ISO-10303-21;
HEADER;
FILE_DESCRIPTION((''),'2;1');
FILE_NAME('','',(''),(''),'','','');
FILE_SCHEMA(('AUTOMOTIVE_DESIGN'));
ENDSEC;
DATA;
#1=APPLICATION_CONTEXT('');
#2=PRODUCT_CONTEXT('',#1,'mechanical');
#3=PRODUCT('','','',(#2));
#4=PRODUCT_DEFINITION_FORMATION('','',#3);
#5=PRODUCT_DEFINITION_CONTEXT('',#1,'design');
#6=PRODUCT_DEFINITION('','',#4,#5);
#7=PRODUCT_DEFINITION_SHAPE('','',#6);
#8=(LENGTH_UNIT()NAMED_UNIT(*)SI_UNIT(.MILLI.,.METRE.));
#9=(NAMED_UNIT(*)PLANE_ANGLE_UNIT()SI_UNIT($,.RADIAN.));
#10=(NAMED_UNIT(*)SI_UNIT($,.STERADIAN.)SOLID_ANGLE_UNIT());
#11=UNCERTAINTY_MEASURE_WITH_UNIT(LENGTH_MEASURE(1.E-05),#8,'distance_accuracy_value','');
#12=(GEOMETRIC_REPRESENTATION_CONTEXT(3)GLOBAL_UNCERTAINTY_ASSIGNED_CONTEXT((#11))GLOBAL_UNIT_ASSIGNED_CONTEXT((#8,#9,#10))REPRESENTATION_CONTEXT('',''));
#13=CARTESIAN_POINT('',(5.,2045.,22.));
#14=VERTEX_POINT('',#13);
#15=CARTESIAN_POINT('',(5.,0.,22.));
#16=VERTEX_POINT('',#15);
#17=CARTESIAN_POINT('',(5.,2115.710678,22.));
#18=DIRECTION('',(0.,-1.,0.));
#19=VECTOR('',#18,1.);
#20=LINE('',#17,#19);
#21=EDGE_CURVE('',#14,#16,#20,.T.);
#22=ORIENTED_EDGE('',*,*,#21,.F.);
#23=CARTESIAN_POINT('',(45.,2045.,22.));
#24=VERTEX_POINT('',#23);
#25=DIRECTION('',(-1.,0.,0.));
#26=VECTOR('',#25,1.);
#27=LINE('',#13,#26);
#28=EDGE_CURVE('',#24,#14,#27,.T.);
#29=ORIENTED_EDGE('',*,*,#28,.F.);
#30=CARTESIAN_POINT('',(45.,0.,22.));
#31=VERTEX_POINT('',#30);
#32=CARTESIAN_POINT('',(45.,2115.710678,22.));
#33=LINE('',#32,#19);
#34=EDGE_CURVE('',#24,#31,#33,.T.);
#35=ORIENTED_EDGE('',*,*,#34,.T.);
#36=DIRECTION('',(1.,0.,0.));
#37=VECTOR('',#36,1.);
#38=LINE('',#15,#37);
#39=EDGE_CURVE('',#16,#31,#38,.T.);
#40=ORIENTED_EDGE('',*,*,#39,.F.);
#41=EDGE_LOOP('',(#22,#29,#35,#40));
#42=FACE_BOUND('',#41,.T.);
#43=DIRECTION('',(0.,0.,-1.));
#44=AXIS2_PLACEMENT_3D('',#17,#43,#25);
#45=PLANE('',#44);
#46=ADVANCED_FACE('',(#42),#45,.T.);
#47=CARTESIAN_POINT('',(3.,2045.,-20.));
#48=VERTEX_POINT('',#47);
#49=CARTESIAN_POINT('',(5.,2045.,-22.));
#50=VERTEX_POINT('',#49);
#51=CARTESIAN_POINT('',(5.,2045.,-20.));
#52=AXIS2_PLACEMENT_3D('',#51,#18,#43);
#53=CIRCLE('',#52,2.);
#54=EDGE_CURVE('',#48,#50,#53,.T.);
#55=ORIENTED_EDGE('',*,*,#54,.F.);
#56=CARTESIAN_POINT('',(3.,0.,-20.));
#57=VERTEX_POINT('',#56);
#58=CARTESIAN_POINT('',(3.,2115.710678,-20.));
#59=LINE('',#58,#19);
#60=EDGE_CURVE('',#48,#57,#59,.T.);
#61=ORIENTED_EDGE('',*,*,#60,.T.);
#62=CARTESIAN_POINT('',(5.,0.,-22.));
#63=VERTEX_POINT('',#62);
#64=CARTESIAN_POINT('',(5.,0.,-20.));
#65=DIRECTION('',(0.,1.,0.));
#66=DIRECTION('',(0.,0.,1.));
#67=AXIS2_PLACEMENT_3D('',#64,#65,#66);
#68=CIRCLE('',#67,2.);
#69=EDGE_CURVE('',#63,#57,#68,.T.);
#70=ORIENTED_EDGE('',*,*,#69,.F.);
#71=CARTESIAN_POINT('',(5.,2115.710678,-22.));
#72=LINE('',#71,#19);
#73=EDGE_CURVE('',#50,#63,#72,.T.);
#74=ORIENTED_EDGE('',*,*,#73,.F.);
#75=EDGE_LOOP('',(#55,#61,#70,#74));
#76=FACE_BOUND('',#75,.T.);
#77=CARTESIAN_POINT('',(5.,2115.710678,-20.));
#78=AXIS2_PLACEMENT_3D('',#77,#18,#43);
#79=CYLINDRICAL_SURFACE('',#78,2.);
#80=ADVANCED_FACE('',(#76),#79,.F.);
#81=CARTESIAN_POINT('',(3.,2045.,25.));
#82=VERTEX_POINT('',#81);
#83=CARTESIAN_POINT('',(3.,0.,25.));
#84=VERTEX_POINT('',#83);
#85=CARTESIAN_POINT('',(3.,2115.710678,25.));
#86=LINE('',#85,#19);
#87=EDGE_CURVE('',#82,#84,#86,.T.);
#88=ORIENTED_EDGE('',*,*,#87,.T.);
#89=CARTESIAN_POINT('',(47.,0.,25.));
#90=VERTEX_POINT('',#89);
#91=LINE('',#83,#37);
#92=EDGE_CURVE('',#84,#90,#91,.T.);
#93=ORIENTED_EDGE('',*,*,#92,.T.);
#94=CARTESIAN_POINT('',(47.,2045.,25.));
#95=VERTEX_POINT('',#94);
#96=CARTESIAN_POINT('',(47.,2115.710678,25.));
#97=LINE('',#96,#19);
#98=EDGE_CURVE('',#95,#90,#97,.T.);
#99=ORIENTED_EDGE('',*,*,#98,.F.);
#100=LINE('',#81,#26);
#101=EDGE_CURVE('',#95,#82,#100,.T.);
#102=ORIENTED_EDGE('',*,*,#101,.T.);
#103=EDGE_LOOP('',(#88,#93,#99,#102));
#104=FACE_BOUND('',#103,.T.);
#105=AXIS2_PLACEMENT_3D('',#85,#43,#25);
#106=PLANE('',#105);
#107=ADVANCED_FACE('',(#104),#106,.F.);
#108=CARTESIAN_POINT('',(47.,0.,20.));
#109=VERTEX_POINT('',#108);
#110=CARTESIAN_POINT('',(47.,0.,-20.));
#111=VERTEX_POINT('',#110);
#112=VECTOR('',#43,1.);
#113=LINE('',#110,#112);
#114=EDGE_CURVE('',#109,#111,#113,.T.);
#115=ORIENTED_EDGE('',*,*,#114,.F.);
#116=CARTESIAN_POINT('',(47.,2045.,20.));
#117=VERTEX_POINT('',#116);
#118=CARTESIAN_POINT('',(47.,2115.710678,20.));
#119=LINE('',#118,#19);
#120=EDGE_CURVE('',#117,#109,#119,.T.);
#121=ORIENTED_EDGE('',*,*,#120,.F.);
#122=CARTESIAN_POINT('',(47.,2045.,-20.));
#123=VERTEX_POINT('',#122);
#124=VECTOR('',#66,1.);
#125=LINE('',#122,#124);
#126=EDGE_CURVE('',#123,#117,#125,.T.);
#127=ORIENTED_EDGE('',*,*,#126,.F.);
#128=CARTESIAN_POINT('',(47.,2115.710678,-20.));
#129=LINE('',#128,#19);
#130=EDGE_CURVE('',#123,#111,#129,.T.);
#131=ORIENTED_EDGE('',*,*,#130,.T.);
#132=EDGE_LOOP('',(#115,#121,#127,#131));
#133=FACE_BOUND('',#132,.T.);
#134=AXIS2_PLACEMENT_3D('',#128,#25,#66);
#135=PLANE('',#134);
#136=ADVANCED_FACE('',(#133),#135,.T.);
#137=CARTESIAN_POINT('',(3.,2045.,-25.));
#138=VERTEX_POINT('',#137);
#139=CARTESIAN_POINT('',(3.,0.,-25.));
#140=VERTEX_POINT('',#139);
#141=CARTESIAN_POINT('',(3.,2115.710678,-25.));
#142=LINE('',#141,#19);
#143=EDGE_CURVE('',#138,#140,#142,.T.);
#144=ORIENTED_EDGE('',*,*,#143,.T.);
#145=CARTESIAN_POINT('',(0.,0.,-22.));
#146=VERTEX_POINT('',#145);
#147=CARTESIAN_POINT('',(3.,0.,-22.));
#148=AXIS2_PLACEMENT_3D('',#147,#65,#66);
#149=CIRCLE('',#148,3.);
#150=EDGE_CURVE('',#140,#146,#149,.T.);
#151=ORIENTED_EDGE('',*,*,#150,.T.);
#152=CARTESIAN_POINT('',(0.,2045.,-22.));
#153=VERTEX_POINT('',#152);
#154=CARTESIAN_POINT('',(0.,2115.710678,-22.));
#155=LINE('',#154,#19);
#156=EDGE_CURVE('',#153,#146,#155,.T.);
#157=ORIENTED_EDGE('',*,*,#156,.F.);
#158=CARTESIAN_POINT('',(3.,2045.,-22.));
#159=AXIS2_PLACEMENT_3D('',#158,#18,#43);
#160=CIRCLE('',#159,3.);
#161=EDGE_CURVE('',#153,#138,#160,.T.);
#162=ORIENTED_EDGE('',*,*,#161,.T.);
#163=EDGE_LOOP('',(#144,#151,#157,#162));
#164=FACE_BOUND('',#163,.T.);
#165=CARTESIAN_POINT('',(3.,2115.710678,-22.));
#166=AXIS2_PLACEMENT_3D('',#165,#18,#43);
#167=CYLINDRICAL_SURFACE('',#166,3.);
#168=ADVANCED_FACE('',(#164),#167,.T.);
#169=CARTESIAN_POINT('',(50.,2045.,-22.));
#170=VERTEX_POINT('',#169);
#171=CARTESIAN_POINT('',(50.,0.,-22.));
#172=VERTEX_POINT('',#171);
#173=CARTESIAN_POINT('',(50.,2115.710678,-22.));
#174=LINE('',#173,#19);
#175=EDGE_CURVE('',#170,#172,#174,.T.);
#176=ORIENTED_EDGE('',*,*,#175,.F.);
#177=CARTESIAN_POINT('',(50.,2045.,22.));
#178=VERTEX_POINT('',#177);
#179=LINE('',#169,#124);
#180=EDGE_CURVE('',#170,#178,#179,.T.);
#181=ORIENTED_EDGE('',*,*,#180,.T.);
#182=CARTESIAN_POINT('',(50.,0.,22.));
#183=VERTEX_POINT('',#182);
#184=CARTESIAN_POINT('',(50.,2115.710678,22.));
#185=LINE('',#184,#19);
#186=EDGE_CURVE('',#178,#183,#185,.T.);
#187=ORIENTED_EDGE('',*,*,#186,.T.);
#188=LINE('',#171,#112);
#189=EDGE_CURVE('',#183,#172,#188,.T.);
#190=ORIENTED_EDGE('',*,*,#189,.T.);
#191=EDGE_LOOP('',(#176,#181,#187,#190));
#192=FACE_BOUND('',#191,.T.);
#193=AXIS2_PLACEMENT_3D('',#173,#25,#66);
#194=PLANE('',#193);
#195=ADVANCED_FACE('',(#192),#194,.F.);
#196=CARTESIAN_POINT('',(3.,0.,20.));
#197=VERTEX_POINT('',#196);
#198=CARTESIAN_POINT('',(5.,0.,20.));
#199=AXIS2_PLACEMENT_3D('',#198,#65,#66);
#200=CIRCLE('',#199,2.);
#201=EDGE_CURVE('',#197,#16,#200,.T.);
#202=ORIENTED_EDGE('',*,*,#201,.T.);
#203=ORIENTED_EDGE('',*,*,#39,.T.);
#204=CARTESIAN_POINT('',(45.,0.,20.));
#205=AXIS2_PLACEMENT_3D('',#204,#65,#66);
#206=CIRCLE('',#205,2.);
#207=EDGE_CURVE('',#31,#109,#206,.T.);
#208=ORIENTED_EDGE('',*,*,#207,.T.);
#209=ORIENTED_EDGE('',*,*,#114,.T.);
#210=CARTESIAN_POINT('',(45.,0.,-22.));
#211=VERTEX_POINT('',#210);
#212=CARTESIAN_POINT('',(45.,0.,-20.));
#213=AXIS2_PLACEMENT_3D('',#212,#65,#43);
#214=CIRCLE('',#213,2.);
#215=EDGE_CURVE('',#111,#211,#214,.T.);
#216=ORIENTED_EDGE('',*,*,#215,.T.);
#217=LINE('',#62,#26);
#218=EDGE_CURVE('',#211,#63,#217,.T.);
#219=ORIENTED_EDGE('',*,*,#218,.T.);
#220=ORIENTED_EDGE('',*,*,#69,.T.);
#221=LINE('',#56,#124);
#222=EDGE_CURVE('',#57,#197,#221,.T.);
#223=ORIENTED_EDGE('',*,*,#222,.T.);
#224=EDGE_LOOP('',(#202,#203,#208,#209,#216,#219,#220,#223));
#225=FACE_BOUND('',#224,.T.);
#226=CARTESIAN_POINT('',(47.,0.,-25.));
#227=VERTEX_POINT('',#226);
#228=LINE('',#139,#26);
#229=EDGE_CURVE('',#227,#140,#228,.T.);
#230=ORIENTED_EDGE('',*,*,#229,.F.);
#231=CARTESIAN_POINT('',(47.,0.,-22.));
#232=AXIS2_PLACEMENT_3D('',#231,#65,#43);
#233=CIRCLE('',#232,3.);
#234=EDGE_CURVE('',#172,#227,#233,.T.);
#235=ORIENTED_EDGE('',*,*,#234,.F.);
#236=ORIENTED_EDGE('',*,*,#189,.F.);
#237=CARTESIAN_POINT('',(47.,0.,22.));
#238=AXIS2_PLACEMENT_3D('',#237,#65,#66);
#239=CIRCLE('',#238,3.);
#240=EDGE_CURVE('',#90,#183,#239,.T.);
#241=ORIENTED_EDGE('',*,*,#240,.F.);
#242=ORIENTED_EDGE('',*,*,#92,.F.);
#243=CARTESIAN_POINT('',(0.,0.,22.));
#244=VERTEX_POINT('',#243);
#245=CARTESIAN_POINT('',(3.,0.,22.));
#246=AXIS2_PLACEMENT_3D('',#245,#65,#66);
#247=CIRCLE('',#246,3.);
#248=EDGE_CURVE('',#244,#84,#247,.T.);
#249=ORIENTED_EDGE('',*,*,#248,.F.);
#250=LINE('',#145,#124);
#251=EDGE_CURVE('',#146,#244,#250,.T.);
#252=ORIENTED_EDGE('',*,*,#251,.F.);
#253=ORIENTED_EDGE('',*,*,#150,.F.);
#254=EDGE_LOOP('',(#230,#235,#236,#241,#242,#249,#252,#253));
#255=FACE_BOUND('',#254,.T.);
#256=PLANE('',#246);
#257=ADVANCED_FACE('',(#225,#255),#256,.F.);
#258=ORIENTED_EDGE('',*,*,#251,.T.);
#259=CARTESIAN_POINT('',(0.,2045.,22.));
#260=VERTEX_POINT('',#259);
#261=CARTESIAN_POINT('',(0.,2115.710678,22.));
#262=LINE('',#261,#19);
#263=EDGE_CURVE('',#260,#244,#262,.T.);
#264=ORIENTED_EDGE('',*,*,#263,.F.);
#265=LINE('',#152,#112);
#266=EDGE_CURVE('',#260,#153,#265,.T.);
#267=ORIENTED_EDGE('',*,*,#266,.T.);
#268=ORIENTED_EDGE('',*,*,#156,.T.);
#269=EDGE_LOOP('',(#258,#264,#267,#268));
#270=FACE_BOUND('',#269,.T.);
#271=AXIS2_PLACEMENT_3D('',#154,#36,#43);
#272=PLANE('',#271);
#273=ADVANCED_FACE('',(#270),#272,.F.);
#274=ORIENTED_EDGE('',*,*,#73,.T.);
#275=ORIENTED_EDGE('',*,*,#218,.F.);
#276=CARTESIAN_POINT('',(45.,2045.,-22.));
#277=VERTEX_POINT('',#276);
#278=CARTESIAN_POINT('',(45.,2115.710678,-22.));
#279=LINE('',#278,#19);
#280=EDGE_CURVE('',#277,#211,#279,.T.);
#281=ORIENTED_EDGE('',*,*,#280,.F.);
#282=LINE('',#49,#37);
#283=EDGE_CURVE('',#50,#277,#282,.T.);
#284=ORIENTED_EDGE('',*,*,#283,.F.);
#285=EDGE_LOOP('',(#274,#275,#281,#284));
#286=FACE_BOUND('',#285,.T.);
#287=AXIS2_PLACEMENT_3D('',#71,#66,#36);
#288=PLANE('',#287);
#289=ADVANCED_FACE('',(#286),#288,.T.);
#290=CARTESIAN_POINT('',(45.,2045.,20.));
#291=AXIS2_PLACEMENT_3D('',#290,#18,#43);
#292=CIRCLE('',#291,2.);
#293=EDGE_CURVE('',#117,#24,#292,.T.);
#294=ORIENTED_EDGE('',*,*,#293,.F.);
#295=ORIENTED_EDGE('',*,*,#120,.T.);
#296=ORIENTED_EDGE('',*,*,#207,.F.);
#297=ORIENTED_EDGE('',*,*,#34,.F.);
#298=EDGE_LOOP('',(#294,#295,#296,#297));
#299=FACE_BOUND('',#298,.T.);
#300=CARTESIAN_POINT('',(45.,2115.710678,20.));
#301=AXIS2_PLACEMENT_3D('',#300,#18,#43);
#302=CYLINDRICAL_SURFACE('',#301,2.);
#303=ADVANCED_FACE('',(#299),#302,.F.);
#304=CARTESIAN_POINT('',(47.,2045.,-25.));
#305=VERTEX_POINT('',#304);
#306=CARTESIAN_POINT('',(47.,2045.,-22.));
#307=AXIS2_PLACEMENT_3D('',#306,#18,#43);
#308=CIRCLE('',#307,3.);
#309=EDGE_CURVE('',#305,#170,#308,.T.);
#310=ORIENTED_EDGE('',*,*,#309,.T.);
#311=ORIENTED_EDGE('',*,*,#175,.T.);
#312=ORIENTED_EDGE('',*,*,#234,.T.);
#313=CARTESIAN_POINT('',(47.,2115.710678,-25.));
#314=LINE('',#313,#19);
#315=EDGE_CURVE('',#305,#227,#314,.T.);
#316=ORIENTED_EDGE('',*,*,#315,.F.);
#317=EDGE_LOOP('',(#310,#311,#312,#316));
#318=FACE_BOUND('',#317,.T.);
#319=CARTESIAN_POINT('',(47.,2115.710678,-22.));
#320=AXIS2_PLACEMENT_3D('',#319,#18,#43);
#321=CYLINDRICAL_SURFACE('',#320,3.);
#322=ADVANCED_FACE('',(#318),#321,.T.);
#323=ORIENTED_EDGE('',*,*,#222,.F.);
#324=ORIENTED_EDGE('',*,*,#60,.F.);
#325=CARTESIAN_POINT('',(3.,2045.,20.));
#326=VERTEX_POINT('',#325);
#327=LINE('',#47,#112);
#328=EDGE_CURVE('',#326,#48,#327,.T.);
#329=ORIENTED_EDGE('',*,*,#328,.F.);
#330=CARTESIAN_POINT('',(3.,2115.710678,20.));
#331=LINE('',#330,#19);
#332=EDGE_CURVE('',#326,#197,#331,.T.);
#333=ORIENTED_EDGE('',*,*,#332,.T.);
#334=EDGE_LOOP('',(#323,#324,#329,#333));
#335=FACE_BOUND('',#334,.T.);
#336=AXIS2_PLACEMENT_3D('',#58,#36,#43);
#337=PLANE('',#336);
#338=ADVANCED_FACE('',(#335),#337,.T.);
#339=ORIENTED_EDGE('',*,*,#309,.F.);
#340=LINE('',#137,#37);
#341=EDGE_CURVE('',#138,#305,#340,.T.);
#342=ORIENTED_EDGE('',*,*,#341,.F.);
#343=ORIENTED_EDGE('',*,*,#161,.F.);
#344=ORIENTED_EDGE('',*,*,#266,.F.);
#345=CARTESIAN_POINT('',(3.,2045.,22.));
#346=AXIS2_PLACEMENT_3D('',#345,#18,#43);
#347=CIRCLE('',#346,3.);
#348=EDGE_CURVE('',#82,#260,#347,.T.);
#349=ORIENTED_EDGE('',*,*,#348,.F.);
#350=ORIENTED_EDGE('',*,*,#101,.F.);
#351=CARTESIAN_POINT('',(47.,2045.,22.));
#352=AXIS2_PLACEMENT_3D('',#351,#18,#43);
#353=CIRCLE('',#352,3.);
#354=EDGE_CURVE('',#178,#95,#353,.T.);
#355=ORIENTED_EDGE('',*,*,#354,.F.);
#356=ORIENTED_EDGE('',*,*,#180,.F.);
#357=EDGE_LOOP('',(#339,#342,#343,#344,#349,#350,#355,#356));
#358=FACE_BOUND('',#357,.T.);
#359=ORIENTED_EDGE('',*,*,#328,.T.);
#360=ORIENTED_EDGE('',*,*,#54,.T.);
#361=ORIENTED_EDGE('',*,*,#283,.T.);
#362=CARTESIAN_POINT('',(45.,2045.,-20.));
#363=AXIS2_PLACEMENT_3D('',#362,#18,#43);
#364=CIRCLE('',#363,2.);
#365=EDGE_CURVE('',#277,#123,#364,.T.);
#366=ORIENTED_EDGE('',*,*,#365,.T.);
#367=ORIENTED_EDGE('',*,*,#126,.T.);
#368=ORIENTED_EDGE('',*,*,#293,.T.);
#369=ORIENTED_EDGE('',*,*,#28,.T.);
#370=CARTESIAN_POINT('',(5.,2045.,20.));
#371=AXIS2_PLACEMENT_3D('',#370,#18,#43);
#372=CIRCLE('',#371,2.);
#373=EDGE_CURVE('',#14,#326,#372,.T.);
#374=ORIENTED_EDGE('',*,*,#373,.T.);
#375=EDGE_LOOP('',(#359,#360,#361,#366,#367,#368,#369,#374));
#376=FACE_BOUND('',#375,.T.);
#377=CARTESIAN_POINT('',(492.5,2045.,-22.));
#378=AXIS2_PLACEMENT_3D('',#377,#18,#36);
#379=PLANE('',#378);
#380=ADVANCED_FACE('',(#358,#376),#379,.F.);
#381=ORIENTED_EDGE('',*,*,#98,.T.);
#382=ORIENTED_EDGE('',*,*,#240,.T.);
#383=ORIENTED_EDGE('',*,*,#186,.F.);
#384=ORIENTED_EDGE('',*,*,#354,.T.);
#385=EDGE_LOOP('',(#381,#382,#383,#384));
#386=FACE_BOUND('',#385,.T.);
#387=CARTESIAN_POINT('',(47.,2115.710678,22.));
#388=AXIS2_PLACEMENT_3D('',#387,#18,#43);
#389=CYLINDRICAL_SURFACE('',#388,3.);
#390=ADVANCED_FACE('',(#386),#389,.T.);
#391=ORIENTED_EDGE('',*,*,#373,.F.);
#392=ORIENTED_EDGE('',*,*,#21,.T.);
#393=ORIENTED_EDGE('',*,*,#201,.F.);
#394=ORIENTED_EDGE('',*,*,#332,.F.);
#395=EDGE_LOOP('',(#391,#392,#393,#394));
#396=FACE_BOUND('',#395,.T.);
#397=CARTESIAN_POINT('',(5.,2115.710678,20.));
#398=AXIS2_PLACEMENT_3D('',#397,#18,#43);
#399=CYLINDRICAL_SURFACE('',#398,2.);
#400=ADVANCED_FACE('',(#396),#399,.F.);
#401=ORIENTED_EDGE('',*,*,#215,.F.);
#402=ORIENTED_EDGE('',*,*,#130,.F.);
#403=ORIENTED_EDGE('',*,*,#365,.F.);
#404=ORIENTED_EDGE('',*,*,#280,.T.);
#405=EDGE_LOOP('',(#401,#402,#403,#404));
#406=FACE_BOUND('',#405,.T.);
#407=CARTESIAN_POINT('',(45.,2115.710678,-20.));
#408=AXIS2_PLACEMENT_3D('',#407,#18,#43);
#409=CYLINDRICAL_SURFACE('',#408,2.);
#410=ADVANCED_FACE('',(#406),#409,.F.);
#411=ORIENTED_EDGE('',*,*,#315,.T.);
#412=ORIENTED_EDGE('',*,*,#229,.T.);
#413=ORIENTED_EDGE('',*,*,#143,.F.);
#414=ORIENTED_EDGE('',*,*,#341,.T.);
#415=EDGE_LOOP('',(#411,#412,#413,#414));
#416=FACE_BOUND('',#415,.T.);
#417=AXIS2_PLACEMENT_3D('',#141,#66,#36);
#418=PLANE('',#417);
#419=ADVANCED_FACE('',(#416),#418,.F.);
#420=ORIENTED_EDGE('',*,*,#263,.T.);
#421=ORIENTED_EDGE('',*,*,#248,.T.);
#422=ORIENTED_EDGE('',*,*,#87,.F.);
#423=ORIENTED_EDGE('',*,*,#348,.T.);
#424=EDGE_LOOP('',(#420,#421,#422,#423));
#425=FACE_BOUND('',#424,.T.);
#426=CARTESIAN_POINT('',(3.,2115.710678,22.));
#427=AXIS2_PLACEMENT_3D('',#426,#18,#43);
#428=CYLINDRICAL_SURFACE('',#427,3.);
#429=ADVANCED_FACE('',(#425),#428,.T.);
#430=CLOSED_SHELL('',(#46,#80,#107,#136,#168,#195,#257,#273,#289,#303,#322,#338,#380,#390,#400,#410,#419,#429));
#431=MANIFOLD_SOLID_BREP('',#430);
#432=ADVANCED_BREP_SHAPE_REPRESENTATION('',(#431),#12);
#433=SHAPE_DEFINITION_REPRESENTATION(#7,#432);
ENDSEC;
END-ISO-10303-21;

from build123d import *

# Parameters (mm, degrees)
EXTRUDE_1_DEPTH = 2045


with BuildPart() as part:
    # Эскиз1 → Бобышка-Вытянуть1 (new body)
    with BuildSketch(Plane(origin=(0, 0, 0), x_dir=(1, 0, 0), z_dir=(0, 1, 0))):
        with BuildLine():
            Line((3, 25), (47, 25))
            ThreePointArc((47, 25), (49.121320344, 24.121320344), (50, 22))
            Line((50, 22), (50, -22))
            ThreePointArc((50, -22), (49.121320344, -24.121320344), (47, -25))
            Line((47, -25), (3, -25))
            ThreePointArc((3, -25), (0.878679656, -24.121320344), (0, -22))
            Line((0, -22), (0, 22))
            ThreePointArc((0, 22), (0.878679656, 24.121320344), (3, 25))
        make_face()
        with BuildLine():
            Line((5, 22), (45, 22))
            ThreePointArc((45, 22), (46.414213562, 21.414213562), (47, 20))
            Line((47, 20), (47, -20))
            ThreePointArc((47, -20), (46.414213562, -21.414213562), (45, -22))
            Line((45, -22), (5, -22))
            ThreePointArc((5, -22), (3.585786438, -21.414213562), (3, -20))
            Line((3, -20), (3, 20))
            ThreePointArc((3, 20), (3.585786438, 21.414213562), (5, 22))
        make_face(mode=Mode.SUBTRACT)
    extrude(amount=EXTRUDE_1_DEPTH)


solid = part.part
